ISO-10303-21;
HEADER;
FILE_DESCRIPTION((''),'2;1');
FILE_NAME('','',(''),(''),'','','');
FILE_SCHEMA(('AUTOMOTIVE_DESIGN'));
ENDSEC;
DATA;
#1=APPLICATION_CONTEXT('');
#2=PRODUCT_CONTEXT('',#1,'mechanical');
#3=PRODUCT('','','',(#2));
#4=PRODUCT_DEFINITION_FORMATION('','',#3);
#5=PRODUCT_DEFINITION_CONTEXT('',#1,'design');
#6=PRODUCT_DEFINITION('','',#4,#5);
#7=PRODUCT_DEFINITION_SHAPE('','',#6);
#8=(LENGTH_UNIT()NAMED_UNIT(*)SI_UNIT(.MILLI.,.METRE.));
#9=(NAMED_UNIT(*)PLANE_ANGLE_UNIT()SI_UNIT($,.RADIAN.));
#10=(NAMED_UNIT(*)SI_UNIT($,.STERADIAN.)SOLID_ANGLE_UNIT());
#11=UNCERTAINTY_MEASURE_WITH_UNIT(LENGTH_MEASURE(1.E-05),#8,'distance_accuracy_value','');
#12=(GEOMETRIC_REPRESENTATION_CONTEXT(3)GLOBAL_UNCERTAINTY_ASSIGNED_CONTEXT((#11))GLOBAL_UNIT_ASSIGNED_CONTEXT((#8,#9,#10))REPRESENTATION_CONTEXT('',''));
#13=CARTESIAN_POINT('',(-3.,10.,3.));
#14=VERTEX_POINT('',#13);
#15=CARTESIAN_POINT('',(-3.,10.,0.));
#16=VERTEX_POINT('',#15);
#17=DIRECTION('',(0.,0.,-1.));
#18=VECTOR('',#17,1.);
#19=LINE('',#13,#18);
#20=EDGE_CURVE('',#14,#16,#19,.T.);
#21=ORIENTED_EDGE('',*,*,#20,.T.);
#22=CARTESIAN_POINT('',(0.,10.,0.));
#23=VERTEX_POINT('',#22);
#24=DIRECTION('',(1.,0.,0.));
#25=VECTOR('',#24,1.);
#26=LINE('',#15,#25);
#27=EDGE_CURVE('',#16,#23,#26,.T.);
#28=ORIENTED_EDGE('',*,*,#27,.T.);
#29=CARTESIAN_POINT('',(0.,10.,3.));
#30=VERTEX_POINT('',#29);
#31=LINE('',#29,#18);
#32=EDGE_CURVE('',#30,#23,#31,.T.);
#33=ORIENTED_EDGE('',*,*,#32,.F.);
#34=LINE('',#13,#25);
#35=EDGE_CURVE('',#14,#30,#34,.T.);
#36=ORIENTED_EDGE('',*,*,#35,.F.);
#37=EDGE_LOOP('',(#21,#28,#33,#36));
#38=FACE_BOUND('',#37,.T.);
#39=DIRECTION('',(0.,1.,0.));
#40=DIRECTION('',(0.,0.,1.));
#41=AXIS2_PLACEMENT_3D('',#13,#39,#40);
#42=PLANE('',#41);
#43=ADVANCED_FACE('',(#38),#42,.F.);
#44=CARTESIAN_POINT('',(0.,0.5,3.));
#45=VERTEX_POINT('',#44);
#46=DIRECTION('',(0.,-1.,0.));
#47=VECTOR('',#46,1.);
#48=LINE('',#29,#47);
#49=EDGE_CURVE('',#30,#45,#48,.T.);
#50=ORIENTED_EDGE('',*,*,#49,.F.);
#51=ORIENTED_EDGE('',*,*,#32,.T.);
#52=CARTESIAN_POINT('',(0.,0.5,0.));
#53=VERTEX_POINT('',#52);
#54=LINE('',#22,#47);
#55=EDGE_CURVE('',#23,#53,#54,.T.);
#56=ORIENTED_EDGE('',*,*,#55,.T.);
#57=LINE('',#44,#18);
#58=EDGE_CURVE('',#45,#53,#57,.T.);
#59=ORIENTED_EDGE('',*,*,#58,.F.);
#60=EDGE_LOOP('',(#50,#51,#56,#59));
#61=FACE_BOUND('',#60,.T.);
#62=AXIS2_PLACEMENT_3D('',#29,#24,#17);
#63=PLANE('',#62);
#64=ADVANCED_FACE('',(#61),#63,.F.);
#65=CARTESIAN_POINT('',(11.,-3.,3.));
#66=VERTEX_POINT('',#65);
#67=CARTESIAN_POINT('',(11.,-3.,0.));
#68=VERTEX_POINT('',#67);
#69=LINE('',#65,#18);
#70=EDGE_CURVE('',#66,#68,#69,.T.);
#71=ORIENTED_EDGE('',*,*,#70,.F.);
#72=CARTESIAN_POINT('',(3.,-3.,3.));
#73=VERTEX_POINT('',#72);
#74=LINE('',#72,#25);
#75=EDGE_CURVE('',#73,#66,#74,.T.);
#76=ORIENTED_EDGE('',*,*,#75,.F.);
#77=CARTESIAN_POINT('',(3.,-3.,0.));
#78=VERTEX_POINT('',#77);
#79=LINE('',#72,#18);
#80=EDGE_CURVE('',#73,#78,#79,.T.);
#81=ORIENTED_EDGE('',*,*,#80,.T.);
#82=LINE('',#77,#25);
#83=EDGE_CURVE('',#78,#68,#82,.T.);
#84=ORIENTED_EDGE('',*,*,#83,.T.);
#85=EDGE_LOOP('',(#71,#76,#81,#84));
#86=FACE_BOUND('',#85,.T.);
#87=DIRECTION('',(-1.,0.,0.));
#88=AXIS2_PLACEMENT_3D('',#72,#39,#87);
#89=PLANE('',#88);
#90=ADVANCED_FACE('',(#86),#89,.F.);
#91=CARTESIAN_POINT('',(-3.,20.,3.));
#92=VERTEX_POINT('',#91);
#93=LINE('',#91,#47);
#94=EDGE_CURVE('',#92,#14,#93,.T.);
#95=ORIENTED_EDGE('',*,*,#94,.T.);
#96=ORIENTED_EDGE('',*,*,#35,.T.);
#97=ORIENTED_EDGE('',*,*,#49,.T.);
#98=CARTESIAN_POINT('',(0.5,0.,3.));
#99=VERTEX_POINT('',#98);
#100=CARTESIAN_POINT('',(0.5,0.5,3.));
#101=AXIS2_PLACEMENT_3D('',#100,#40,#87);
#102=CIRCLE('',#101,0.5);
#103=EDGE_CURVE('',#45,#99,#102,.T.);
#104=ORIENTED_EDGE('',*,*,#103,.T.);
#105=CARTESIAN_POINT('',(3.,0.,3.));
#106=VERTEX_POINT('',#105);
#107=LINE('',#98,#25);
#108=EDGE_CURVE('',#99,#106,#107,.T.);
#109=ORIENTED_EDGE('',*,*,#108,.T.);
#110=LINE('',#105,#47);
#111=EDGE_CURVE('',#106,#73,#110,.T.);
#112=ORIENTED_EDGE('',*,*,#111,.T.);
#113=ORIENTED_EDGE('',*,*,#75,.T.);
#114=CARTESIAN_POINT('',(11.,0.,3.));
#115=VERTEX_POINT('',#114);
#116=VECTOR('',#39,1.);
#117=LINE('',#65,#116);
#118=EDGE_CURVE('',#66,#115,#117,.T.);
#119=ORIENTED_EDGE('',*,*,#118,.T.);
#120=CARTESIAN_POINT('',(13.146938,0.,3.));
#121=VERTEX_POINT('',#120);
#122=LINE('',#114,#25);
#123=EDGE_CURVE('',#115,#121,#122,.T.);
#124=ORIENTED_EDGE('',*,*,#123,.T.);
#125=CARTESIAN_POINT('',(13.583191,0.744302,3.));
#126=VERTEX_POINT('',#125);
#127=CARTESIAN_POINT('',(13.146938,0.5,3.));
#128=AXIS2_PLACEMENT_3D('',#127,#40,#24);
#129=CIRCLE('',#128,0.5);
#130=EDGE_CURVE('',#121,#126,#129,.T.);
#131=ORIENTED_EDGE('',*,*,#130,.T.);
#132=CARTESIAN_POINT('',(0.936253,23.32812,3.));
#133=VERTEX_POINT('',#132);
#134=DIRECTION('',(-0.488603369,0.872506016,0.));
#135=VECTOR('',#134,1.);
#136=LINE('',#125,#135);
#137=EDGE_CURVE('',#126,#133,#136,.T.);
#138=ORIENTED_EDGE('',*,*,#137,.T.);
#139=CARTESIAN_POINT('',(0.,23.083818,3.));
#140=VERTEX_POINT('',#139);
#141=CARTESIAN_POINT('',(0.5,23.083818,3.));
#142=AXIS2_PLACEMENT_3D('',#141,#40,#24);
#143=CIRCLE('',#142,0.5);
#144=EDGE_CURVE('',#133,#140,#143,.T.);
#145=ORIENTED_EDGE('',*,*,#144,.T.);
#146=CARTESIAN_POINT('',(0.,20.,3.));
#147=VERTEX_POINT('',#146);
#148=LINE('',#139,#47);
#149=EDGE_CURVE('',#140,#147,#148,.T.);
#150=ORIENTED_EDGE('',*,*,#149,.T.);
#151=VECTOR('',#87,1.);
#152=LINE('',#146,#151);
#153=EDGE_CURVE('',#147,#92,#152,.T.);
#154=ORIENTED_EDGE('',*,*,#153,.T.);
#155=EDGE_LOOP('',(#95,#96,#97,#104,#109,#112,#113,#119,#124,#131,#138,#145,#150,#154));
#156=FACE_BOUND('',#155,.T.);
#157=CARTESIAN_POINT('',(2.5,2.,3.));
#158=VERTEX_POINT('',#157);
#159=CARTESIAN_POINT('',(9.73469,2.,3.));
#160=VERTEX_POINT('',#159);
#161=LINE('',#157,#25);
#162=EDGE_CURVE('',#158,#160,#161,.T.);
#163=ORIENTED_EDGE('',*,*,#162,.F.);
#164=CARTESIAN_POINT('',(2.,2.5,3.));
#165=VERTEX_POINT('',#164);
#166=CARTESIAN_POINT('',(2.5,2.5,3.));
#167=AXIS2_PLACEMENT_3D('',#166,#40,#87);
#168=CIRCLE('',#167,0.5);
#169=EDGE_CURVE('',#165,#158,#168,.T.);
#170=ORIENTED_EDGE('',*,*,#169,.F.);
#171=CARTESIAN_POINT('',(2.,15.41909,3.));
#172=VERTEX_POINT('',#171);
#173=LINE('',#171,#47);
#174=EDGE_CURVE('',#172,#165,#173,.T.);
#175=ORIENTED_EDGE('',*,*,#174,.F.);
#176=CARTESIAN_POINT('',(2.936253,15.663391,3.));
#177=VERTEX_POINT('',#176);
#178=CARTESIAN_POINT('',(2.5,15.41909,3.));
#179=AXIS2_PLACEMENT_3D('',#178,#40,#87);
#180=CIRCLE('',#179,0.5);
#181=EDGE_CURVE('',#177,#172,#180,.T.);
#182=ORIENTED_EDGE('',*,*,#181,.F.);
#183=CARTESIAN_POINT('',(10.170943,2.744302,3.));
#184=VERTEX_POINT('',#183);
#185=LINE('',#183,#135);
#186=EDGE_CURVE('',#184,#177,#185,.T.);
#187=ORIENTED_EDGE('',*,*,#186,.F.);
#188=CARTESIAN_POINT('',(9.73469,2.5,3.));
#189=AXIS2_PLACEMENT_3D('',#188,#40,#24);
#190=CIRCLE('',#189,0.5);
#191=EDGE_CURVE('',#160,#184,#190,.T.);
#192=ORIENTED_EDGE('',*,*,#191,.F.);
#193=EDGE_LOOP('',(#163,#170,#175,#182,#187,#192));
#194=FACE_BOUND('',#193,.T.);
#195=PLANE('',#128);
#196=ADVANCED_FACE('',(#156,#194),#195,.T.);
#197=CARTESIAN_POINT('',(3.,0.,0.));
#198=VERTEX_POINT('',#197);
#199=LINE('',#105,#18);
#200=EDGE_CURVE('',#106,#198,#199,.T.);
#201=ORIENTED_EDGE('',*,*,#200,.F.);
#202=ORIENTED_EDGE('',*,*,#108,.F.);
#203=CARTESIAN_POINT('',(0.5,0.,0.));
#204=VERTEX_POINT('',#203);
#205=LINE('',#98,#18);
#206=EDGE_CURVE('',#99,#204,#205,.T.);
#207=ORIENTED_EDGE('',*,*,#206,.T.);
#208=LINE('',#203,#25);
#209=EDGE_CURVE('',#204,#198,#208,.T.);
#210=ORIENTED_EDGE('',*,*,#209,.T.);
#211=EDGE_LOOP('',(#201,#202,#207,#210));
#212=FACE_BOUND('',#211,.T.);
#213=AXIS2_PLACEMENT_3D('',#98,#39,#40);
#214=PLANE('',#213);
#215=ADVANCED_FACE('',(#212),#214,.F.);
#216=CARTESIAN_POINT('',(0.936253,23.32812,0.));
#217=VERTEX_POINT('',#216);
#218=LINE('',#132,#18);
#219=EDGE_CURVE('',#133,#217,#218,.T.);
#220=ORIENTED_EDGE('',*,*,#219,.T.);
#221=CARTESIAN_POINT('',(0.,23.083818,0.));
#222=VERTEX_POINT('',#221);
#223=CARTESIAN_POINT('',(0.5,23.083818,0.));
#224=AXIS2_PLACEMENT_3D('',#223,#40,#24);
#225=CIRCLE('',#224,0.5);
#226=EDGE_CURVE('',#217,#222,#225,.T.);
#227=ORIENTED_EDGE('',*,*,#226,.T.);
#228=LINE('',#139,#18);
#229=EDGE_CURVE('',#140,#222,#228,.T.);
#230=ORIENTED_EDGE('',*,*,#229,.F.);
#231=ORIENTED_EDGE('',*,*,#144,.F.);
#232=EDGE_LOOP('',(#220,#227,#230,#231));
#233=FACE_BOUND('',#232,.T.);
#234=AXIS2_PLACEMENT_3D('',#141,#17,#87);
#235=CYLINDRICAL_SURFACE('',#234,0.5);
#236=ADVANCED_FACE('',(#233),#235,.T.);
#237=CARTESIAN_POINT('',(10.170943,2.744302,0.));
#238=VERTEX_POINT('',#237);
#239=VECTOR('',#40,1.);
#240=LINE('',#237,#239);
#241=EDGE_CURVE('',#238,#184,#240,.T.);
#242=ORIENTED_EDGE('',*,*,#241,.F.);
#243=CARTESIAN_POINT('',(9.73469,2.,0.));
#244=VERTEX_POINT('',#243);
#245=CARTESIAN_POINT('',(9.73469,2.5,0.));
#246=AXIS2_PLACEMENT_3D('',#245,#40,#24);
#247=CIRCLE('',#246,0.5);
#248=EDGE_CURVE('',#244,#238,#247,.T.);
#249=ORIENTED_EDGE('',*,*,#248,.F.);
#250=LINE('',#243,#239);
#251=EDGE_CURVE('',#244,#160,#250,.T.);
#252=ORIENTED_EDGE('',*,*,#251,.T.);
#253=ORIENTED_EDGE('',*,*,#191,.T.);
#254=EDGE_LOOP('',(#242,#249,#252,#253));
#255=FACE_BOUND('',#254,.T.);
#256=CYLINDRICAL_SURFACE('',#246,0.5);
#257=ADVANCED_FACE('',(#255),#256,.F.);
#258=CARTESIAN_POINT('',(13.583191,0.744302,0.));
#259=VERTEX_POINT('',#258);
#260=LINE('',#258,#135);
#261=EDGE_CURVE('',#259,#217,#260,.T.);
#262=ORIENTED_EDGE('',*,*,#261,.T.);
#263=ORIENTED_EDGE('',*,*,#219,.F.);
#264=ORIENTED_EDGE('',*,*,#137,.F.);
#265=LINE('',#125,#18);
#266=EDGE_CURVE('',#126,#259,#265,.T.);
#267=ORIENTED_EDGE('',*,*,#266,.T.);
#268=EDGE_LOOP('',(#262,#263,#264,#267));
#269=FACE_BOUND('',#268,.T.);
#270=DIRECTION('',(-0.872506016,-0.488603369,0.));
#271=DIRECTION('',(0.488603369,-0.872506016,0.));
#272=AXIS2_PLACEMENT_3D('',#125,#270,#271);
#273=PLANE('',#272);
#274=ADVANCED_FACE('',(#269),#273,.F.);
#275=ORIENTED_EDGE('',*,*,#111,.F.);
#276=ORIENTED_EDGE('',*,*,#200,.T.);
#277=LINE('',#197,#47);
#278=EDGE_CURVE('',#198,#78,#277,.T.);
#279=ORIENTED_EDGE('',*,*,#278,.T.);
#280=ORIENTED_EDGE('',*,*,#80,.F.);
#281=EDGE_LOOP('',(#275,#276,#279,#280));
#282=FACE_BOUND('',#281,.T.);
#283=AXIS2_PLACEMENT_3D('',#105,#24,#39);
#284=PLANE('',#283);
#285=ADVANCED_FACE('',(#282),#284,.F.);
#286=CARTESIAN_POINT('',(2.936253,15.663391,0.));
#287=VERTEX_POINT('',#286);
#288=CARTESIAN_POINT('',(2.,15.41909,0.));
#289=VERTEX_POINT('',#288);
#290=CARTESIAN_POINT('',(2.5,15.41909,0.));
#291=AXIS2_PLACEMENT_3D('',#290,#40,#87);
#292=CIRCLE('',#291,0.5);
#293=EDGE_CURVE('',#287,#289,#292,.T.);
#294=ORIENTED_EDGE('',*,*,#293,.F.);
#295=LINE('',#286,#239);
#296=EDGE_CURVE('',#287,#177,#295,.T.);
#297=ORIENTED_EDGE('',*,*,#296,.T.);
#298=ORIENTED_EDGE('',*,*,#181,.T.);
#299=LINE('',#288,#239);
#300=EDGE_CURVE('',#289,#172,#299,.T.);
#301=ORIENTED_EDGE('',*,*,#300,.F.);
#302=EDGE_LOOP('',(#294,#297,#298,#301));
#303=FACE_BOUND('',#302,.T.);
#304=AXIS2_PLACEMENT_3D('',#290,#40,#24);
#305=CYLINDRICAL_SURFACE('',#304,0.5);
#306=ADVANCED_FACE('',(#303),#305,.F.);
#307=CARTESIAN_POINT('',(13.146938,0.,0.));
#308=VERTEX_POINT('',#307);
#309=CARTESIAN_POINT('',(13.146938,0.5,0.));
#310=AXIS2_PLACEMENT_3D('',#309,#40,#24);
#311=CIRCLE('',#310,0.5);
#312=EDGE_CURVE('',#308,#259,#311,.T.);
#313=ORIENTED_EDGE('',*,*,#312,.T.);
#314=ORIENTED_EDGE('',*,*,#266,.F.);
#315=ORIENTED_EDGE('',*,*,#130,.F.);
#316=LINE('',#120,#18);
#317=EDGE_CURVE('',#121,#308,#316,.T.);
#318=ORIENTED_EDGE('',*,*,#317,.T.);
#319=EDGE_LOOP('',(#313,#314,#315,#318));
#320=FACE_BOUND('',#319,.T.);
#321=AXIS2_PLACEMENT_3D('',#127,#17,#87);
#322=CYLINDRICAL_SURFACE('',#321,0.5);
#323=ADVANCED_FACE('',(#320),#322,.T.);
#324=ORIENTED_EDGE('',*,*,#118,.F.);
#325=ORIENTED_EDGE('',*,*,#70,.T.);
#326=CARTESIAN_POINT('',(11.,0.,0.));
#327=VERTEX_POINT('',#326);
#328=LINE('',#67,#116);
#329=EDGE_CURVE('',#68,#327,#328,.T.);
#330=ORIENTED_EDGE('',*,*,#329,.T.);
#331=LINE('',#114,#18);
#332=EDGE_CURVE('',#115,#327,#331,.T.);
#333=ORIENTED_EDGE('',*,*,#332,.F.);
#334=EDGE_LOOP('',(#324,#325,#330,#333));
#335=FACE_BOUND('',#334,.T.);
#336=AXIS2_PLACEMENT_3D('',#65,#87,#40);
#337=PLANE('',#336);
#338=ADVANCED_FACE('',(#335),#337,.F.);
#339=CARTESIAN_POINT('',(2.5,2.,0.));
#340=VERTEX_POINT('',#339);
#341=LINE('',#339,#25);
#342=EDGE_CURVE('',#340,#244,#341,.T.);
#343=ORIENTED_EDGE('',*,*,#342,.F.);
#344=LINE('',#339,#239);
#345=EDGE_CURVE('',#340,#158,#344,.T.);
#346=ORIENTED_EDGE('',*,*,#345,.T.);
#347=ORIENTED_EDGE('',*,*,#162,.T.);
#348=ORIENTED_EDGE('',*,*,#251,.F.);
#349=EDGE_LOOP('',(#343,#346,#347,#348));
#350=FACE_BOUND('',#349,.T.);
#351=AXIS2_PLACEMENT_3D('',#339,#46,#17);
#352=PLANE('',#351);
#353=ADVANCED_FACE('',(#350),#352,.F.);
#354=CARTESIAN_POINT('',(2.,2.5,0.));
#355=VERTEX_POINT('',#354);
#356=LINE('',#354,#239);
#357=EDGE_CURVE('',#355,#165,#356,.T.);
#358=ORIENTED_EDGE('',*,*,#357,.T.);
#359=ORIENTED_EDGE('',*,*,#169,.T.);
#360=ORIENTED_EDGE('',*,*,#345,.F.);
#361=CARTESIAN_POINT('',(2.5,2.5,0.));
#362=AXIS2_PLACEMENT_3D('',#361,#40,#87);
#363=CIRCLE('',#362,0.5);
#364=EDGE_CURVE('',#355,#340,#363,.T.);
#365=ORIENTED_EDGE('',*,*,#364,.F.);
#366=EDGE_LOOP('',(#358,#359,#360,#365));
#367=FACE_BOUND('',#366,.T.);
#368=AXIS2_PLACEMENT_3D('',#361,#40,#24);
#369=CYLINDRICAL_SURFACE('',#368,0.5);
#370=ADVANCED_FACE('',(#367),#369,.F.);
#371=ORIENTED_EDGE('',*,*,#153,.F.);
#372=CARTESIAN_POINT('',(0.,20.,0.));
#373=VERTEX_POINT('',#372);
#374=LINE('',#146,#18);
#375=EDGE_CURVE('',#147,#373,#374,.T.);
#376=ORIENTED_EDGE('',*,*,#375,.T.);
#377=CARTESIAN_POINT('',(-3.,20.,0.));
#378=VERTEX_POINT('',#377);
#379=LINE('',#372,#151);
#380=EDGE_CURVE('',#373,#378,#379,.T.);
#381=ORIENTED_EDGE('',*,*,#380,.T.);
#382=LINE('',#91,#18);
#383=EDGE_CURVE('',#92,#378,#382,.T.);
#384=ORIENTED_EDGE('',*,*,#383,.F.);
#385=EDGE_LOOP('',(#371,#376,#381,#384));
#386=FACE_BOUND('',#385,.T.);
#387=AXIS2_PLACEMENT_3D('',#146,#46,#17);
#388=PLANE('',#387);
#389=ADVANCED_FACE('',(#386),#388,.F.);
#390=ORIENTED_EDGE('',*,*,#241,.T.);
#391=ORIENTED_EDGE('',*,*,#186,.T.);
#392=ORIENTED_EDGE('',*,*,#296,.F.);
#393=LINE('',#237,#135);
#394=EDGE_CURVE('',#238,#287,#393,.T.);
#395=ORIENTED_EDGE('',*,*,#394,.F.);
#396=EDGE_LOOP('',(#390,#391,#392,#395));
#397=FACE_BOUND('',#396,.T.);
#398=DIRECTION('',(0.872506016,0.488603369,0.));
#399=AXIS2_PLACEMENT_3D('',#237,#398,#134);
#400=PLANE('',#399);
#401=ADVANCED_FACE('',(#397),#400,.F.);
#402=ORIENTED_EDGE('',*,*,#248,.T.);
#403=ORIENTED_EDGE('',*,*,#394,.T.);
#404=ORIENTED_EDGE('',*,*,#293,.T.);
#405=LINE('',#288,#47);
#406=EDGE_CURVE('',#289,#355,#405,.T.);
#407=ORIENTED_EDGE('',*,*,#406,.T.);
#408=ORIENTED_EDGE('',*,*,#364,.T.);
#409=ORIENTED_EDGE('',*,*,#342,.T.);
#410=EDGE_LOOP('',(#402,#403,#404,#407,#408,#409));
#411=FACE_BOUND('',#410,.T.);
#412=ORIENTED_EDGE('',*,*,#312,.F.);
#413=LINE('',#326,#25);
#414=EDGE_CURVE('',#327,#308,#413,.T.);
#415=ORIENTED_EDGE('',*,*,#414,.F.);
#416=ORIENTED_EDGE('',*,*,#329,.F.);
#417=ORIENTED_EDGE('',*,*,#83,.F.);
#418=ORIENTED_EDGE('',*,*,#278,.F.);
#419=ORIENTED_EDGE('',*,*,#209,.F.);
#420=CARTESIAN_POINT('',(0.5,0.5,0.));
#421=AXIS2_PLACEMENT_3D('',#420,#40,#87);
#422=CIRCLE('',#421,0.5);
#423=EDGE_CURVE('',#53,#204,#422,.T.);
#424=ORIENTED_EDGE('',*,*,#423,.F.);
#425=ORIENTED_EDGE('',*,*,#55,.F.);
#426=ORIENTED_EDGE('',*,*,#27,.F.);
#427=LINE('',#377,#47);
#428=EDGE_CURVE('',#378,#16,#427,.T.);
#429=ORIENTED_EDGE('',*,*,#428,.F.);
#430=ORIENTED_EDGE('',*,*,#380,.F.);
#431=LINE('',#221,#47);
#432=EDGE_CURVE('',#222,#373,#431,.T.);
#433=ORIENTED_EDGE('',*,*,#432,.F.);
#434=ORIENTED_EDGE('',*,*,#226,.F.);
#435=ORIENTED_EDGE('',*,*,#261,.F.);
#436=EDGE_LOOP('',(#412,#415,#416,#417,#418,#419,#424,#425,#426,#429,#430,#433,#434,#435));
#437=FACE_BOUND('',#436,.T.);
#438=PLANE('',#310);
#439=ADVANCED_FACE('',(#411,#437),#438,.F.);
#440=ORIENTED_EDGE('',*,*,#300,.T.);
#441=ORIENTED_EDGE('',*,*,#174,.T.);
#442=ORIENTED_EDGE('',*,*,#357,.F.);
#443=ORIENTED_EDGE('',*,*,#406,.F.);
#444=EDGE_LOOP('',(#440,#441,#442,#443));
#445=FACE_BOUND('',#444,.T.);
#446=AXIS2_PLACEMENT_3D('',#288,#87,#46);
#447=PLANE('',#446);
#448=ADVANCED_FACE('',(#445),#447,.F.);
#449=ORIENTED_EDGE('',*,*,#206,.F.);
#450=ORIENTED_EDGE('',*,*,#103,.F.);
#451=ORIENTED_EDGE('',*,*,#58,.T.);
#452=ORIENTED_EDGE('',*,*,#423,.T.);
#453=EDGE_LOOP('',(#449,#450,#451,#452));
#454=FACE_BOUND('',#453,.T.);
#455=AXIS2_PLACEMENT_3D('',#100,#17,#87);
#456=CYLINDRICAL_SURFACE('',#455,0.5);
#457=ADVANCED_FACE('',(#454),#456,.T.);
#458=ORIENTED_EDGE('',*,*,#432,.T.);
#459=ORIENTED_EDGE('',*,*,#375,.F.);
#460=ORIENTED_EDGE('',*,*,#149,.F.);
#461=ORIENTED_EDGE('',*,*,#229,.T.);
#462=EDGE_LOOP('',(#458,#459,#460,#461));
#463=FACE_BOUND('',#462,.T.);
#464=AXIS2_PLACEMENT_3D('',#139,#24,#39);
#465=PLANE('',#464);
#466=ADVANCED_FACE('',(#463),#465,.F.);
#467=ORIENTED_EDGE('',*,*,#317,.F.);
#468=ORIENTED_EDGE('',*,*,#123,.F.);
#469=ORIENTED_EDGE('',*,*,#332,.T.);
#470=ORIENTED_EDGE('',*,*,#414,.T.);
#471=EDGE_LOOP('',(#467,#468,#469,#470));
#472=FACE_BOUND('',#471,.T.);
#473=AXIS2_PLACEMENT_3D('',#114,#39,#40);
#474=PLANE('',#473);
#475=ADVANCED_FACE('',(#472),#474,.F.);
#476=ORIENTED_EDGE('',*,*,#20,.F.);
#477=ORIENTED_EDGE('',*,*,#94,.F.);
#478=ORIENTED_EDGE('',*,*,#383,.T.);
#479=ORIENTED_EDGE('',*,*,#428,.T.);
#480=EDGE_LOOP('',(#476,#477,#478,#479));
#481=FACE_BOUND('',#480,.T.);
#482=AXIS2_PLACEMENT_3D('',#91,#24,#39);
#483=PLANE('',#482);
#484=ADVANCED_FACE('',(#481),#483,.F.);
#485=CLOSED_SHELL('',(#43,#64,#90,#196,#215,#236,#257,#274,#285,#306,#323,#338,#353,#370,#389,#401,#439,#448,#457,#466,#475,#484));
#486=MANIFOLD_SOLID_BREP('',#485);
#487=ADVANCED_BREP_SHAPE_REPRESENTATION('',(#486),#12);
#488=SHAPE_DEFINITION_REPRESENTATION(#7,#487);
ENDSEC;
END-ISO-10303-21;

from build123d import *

# Parameters (mm, degrees)
EXTRUDE_2_DEPTH     = 3
CUT_EXTRUDE_1_DEPTH = 28.412321808


with BuildPart() as part:
    # 草图1 → 凸台-拉伸2 (new body)
    with BuildSketch(Plane.XY):
        with BuildLine():
            Line((0.5, 0), (3, 0))
            Line((3, 0), (3, -3))
            Line((3, -3), (11, -3))
            Line((11, -3), (11, 0))
            Line((11, 0), (13.146938049, 0))
            ThreePointArc((13.146938049, 0), (13.578302652, 0.247166895), (13.583191057, 0.744301684))
            Line((13.583191057, 0.744301684), (0.936253008, 23.328119629))
            ThreePointArc((0.936253008, 23.328119629), (0.373759167, 23.567618783), (0, 23.083817944))
            Line((0, 23.083817944), (0, 20))
            Line((0, 20), (-3, 20))
            Line((-3, 20), (-3, 10))
            Line((-3, 10), (0, 10))
            Line((0, 10), (0, 0.5))
            ThreePointArc((0, 0.5), (0.146446609, 0.146446609), (0.5, 0))
        make_face()
    extrude(amount=EXTRUDE_2_DEPTH)

    # 草图2 → 切除-拉伸1 (cut, through all)
    with BuildSketch(Plane.XY.offset(3)):
        with BuildLine():
            Line((2, 15.419089721), (2, 2.5))
            ThreePointArc((2, 2.5), (2.146446609, 2.146446609), (2.5, 2))
            Line((2.5, 2), (9.734690244, 2))
            ThreePointArc((9.734690244, 2), (10.166054847, 2.247166895), (10.170943252, 2.744301684))
            Line((10.170943252, 2.744301684), (2.936253008, 15.663391405))
            ThreePointArc((2.936253008, 15.663391405), (2.373759167, 15.90289056), (2, 15.419089721))
        make_face()
    extrude(amount=-CUT_EXTRUDE_1_DEPTH, mode=Mode.SUBTRACT)


solid = part.part
